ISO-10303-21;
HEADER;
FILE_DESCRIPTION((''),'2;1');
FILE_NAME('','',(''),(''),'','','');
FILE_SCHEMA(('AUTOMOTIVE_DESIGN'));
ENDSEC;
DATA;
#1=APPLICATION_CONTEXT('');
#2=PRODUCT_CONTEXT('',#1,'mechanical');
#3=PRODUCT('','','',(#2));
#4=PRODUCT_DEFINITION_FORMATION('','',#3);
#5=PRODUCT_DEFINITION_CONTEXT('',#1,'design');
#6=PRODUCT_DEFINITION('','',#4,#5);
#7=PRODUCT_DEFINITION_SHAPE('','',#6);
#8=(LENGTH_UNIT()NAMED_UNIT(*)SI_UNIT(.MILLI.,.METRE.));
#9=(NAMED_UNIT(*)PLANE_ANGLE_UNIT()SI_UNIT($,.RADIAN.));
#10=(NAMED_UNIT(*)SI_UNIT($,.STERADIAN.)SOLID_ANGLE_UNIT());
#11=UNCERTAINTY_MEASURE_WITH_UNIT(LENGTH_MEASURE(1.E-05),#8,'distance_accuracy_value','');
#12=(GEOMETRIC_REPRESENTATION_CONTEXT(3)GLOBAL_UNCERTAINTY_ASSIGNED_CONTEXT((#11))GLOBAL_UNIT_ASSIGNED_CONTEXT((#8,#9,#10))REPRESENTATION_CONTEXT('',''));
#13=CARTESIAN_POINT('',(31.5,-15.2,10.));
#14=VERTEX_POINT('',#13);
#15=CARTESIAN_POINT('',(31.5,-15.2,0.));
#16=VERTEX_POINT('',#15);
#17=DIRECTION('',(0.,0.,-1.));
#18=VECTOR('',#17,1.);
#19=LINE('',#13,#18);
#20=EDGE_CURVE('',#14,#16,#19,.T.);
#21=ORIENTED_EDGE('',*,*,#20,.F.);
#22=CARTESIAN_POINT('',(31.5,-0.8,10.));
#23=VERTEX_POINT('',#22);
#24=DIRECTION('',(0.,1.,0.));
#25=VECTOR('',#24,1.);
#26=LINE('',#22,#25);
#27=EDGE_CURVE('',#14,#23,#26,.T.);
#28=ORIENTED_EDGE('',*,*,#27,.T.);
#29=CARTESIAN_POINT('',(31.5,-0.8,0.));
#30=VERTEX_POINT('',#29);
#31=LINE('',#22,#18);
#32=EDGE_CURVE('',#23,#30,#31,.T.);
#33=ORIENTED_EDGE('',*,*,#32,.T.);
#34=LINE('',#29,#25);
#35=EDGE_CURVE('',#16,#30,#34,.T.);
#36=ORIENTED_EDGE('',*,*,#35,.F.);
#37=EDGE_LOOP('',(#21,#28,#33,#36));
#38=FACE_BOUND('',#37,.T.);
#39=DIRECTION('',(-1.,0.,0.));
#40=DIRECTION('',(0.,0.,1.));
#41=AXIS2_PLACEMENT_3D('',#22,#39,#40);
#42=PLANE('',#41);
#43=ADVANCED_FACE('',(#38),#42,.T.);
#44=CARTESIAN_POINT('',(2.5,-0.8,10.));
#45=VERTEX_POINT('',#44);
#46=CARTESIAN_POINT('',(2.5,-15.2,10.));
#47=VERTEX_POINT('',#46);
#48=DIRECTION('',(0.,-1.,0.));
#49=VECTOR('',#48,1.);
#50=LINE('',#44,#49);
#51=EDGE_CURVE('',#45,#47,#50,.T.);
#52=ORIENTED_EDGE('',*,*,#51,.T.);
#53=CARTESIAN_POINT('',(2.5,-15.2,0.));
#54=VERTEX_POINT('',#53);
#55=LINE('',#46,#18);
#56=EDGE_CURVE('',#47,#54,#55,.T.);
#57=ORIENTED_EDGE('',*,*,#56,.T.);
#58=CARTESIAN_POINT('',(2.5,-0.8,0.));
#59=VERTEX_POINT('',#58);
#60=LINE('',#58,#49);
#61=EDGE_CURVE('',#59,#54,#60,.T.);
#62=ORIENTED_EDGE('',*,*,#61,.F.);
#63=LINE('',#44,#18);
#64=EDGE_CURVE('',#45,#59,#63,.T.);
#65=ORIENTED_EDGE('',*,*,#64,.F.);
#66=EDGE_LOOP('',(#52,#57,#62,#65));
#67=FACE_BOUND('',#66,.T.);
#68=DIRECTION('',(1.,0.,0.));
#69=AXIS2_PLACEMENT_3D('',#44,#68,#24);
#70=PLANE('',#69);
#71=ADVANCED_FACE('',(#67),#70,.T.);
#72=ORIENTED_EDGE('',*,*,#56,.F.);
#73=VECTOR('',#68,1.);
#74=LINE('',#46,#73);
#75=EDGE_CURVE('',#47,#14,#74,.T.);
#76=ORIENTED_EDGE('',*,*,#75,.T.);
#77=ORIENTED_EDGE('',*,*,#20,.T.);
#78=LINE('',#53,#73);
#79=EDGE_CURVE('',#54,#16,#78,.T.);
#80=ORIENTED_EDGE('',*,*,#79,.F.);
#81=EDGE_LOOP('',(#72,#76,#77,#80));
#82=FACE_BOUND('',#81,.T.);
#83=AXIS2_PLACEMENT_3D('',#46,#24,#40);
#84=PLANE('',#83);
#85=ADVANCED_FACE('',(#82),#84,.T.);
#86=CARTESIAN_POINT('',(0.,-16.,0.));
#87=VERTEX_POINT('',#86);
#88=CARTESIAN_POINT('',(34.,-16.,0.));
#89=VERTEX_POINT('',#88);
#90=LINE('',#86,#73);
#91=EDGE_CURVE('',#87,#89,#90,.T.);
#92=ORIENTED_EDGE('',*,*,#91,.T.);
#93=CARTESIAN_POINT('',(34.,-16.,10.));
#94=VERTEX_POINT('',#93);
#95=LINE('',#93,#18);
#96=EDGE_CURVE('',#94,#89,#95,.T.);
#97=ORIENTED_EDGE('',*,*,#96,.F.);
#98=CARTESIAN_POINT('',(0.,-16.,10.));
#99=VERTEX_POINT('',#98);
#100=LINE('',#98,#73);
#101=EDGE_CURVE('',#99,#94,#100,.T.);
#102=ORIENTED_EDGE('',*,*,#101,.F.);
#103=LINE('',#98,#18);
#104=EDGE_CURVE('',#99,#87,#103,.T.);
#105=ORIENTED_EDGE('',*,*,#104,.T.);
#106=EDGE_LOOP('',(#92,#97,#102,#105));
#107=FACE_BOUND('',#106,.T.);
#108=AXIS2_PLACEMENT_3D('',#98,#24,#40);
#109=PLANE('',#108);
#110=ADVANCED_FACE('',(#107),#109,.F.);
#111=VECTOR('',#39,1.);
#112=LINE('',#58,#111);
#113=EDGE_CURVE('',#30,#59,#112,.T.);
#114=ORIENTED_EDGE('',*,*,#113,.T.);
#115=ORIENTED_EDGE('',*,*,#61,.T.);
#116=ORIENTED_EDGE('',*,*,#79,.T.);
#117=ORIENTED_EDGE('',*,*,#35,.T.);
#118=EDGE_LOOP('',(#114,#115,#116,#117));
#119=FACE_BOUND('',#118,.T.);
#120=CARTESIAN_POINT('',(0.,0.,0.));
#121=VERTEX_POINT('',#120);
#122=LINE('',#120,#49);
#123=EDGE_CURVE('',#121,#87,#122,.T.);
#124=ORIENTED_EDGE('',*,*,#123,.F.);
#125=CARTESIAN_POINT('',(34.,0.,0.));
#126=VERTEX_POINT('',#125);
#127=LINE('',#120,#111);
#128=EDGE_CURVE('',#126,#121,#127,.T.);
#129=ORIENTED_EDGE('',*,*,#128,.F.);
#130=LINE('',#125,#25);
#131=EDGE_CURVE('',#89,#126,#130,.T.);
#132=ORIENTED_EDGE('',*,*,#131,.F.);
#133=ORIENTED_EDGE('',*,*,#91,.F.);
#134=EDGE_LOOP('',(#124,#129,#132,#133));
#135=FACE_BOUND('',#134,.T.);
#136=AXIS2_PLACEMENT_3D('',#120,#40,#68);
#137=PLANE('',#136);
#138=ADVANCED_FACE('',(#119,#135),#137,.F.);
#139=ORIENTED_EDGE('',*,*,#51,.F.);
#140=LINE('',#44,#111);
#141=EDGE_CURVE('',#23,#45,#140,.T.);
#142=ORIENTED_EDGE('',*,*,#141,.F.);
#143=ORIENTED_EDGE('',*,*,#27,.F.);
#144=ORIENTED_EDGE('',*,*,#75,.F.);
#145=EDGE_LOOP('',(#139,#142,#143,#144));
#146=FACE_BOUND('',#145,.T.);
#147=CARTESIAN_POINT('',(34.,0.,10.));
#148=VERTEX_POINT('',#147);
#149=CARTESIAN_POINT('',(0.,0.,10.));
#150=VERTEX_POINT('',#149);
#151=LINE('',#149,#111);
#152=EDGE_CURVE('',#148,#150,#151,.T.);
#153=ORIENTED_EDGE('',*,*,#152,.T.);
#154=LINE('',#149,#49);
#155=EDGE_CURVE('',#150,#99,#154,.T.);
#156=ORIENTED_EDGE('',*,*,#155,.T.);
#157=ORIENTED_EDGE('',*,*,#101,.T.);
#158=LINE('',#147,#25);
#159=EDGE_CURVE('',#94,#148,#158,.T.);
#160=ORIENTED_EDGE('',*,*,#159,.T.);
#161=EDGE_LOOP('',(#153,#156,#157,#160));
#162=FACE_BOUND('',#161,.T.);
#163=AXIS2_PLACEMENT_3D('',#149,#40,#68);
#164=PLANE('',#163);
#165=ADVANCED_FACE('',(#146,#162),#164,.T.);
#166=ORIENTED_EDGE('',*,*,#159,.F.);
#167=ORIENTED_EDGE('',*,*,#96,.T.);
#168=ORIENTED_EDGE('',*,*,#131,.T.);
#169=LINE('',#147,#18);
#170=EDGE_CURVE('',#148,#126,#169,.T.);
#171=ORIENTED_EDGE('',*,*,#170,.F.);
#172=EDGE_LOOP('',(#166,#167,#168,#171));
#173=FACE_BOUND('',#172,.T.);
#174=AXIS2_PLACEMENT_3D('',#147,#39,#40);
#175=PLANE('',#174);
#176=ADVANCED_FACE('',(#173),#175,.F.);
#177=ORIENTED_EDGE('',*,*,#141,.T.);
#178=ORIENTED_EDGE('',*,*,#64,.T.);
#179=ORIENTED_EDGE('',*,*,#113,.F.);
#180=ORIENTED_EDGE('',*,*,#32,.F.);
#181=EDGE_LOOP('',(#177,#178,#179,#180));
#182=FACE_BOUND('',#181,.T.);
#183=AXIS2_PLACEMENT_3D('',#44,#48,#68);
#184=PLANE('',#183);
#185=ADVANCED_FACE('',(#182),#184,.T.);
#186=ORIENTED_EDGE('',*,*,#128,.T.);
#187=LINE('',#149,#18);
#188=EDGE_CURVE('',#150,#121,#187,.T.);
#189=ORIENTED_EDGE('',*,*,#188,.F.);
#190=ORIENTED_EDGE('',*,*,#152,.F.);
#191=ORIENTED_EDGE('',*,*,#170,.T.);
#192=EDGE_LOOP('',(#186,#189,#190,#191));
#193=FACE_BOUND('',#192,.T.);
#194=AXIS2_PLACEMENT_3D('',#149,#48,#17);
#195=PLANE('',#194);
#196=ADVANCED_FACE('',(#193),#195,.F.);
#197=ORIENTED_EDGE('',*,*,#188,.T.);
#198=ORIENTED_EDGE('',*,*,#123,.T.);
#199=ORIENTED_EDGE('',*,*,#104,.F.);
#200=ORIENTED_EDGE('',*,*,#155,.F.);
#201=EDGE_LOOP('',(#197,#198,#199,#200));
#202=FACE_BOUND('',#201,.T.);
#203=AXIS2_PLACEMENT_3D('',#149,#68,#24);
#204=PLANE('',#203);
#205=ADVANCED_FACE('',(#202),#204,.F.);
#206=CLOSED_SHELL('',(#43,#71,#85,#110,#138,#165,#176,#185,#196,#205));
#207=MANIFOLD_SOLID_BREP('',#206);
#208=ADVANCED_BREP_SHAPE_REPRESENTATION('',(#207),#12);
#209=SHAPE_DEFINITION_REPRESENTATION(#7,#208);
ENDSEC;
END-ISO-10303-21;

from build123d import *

# Parameters (mm, degrees)
SKETCH2_W           = 34
SKETCH2_H           = 16
SKETCH2_W_2         = 29
SKETCH2_H_2         = 14.4
BOSS_EXTRUDE3_DEPTH = 10


with BuildPart() as part:
    # Sketch2 → Boss-Extrude3 (new body)
    with BuildSketch(Plane.XY):
        with Locations((17, -8)):
            Rectangle(SKETCH2_W, SKETCH2_H)
        with Locations((17, -8)):
            Rectangle(SKETCH2_W_2, SKETCH2_H_2, mode=Mode.SUBTRACT)
    extrude(amount=BOSS_EXTRUDE3_DEPTH)


solid = part.part
